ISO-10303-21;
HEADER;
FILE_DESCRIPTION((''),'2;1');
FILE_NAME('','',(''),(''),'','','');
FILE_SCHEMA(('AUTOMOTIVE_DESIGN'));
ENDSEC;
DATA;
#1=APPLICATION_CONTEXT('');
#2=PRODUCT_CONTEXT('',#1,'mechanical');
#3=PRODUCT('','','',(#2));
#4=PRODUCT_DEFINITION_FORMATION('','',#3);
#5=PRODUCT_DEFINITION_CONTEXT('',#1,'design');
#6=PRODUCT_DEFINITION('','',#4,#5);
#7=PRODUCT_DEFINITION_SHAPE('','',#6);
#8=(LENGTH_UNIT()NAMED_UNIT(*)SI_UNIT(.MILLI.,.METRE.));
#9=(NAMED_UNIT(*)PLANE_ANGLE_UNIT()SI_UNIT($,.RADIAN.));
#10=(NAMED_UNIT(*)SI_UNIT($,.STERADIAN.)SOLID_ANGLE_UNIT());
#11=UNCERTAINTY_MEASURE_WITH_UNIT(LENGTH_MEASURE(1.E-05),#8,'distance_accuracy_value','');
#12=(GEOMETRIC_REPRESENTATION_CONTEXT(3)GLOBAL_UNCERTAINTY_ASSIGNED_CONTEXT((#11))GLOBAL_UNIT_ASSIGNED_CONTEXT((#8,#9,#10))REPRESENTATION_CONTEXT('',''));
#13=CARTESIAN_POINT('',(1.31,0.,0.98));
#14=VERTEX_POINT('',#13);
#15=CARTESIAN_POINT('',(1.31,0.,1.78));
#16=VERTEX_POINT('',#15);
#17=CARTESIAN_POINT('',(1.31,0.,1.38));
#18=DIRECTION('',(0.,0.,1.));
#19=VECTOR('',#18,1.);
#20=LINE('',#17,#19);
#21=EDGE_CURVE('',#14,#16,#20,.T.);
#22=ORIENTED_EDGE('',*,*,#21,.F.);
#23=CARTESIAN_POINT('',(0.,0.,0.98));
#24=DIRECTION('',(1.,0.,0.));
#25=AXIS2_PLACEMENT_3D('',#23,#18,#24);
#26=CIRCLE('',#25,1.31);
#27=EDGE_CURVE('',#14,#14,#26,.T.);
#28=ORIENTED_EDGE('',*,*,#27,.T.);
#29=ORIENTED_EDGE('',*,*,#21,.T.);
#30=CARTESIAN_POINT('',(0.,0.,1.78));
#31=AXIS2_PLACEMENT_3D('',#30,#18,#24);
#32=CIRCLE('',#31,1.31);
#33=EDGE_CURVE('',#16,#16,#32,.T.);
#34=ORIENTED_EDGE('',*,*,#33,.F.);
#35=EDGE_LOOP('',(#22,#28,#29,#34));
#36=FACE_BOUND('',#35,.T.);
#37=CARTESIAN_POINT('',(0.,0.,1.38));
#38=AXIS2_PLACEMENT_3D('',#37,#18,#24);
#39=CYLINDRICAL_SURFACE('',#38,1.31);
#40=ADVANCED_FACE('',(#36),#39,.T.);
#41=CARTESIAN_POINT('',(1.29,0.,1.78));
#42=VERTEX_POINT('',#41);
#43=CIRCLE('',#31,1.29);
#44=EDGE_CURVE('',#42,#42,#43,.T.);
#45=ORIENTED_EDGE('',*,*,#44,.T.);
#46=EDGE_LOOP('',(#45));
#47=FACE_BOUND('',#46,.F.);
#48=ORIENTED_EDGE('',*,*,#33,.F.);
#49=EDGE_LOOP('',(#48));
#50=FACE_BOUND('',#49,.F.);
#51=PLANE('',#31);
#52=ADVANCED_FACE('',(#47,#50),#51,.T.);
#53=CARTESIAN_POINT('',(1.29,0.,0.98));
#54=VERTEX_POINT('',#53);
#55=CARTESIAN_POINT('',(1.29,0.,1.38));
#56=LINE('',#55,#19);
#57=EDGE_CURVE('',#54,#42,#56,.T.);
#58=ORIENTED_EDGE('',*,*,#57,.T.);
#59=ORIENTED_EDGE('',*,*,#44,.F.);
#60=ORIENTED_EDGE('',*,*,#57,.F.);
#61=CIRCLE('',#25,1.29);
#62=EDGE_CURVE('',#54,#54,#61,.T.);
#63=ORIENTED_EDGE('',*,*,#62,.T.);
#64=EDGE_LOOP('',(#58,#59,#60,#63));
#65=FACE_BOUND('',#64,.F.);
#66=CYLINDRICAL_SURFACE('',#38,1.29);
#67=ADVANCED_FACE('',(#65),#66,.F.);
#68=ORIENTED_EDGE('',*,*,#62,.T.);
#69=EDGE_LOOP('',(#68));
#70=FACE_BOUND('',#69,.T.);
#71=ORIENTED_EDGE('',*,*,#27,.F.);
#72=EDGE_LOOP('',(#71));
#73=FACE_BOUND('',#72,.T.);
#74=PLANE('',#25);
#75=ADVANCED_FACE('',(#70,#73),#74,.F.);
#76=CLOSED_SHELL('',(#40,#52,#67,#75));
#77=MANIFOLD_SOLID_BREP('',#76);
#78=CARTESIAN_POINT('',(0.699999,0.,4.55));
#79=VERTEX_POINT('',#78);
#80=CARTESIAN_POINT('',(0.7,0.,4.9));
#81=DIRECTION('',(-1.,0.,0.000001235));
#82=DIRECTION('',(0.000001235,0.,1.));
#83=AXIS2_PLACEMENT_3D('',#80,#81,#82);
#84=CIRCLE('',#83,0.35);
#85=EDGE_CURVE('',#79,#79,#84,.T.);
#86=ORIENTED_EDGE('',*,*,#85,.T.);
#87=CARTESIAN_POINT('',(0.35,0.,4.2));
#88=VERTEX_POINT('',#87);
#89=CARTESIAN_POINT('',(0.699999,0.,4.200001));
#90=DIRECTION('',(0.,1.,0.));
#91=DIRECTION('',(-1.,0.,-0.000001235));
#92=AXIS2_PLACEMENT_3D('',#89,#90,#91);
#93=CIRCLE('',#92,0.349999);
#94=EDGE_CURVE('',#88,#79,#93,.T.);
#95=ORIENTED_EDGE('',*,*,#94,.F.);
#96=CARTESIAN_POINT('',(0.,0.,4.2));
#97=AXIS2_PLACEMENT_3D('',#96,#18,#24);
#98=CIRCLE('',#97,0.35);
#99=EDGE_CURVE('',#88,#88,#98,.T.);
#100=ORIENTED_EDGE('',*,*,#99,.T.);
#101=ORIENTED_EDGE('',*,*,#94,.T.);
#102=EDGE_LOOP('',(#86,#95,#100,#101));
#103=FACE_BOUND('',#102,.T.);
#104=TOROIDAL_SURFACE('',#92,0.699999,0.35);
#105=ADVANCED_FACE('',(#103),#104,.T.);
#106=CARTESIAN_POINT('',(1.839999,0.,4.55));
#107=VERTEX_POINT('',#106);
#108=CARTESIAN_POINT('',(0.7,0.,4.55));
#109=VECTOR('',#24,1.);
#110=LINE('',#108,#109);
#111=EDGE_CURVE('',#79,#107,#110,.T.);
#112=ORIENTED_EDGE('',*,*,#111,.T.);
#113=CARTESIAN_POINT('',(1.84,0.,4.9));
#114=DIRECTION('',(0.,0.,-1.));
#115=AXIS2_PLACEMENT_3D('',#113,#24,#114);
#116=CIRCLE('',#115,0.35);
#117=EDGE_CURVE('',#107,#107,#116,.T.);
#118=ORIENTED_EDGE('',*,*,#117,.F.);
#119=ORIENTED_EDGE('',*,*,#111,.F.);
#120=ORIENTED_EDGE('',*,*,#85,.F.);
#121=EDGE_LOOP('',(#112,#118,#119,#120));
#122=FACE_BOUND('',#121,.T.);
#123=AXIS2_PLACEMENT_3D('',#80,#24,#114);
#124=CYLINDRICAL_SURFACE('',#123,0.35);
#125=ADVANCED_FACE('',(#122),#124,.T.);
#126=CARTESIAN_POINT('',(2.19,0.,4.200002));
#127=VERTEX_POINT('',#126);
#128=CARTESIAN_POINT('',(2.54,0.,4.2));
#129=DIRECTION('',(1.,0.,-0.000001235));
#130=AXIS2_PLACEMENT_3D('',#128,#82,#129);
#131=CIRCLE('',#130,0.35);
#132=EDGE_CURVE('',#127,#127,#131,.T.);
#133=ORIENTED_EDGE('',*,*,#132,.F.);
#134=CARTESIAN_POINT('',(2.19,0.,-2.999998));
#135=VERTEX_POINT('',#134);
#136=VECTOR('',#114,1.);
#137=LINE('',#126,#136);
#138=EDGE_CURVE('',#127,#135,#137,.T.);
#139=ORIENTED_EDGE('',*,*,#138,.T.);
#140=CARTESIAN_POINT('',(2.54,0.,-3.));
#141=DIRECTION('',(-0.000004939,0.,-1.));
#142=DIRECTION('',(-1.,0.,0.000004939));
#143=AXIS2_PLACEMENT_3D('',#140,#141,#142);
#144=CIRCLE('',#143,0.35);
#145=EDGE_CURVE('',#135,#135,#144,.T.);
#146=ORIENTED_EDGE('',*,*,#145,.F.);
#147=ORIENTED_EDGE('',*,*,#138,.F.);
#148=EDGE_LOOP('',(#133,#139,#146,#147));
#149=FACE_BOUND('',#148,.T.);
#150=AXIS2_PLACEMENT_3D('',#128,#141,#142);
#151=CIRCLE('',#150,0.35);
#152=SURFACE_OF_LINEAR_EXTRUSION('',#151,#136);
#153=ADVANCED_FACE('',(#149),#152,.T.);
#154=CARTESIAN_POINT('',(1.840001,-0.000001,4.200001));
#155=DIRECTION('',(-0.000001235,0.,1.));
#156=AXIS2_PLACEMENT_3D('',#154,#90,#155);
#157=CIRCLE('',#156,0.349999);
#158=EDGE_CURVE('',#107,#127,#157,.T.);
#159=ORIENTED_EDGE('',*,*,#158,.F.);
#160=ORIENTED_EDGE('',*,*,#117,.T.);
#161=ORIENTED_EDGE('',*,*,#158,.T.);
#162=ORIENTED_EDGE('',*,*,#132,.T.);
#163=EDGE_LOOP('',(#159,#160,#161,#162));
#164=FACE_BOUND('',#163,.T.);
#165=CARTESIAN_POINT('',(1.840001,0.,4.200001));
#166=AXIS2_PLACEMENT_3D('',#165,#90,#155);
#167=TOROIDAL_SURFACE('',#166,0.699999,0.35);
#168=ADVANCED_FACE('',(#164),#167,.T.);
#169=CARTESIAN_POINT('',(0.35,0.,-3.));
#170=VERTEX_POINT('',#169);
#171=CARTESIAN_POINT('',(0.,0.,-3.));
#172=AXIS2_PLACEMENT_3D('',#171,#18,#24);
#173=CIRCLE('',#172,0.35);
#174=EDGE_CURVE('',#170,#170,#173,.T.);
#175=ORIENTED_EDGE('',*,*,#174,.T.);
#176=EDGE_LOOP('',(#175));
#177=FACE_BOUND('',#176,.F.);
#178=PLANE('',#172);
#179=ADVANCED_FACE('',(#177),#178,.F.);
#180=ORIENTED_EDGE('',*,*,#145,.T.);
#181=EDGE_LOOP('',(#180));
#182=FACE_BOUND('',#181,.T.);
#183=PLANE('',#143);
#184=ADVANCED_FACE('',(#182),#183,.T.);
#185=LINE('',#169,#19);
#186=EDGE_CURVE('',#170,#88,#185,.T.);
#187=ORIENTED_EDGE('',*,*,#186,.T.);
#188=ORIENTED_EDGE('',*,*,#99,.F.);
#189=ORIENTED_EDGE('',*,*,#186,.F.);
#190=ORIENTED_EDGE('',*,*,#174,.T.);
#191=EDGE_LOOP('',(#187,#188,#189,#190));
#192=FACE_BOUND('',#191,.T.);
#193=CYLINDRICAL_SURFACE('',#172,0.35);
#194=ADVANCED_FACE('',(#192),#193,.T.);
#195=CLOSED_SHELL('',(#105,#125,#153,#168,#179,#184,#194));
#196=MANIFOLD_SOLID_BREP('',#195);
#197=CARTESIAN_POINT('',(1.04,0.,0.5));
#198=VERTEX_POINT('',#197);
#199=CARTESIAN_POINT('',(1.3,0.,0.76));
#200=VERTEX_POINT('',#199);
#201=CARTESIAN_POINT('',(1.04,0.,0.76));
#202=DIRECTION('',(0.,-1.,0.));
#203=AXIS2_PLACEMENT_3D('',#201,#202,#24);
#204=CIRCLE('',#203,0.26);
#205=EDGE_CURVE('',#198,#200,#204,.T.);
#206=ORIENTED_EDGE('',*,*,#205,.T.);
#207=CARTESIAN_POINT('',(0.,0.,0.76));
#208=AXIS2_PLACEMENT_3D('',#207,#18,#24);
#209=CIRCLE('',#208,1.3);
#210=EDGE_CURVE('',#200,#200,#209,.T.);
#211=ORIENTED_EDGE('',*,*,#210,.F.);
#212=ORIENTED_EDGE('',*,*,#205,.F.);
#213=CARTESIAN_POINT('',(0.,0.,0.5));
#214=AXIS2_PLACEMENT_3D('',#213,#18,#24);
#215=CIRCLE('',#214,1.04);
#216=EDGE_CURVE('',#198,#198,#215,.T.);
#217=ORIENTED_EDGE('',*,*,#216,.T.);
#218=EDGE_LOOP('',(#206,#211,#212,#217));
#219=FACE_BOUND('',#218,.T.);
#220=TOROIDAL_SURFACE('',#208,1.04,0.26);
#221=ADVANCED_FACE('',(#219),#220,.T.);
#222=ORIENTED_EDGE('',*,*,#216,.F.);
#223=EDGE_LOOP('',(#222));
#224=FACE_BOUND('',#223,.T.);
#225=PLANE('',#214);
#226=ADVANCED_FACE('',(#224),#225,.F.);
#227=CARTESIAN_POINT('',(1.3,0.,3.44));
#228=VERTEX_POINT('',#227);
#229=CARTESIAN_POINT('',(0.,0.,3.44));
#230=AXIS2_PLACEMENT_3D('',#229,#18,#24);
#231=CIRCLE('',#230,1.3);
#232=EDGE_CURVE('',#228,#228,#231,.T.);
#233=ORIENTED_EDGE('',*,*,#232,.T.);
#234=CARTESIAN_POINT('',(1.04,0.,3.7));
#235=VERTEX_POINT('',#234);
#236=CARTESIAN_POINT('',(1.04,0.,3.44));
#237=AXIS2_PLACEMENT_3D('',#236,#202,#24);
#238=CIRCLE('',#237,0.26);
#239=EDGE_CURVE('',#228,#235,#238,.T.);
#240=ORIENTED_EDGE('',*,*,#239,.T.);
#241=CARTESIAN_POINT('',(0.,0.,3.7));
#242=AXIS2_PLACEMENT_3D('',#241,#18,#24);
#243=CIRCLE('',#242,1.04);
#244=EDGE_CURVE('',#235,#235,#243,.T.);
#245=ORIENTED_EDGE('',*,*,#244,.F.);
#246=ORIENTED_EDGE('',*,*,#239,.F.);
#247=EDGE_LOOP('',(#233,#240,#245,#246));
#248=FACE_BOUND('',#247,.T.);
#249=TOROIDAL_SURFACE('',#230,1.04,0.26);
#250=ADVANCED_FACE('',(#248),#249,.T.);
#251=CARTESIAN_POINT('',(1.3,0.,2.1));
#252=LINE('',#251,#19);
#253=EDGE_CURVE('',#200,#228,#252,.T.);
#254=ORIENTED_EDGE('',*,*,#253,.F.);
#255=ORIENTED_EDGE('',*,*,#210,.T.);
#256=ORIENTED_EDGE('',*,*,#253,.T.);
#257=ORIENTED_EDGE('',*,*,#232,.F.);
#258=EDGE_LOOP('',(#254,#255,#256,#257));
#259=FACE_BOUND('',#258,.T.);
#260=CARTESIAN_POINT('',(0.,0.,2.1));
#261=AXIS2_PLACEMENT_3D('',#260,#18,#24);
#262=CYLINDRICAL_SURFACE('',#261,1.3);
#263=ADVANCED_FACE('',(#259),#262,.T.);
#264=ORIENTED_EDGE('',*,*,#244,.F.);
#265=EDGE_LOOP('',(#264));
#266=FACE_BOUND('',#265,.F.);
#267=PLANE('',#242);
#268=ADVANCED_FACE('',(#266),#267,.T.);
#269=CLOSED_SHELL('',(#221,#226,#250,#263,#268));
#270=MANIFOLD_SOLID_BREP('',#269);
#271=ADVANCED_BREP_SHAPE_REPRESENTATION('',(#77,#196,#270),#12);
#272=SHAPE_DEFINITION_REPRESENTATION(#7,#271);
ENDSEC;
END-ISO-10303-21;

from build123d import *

# Parameters (mm, degrees)
SKETCH001_R = 0.35
SKETCH003_W = 0.02
SKETCH003_H = 0.8
SKETCH002_W = 1.3
SKETCH002_H = 3.2
FILLET_R    = 0.26


with BuildPart() as sweep_body:
    # Sweep: sweep along a path in Sketch
    with BuildLine(Plane.XZ) as sweep_path:
        Line((0, -3), (0, 4.2))
        ThreePointArc((0, 4.2), (0.205025, 4.694975), (0.7, 4.9))
        Line((0.7, 4.9), (1.84, 4.9))
        ThreePointArc((1.84, 4.9), (2.334975, 4.694975), (2.54, 4.2))
        Line((2.54, 4.2), (2.54, -3))
    # Sketch001 → Sweep (sweep)
    with BuildSketch(Plane.XY):
        Circle(SKETCH001_R)
    sweep(path=sweep_path.line)


with BuildPart() as revolution001:
    # Sketch003 → Revolution001 (revolve)
    with BuildSketch(Plane.XZ):
        with Locations((1.3, 1.38)):
            Rectangle(SKETCH003_W, SKETCH003_H)
    revolve(axis=Axis((0, 0, 5.9), (0, 0, 1)))


with BuildPart() as fillet_body:
    # Sketch002 → Revolution (revolve)
    with BuildSketch(Plane.XZ):
        with Locations((0.65, 2.1)):
            Rectangle(SKETCH002_W, SKETCH002_H)
    revolve(axis=Axis((0, 0, 0.5), (0, 0, 1)))

    # Fillet
    fillet_edges = [fillet_body.edges().sort_by_distance(p)[0] for p in [
        (-1.3, 0, 3.7),
        (-1.3, 0, 0.5),
    ]]
    fillet(fillet_edges, radius=FILLET_R)


solid = Compound([sweep_body.part, revolution001.part, fillet_body.part])
